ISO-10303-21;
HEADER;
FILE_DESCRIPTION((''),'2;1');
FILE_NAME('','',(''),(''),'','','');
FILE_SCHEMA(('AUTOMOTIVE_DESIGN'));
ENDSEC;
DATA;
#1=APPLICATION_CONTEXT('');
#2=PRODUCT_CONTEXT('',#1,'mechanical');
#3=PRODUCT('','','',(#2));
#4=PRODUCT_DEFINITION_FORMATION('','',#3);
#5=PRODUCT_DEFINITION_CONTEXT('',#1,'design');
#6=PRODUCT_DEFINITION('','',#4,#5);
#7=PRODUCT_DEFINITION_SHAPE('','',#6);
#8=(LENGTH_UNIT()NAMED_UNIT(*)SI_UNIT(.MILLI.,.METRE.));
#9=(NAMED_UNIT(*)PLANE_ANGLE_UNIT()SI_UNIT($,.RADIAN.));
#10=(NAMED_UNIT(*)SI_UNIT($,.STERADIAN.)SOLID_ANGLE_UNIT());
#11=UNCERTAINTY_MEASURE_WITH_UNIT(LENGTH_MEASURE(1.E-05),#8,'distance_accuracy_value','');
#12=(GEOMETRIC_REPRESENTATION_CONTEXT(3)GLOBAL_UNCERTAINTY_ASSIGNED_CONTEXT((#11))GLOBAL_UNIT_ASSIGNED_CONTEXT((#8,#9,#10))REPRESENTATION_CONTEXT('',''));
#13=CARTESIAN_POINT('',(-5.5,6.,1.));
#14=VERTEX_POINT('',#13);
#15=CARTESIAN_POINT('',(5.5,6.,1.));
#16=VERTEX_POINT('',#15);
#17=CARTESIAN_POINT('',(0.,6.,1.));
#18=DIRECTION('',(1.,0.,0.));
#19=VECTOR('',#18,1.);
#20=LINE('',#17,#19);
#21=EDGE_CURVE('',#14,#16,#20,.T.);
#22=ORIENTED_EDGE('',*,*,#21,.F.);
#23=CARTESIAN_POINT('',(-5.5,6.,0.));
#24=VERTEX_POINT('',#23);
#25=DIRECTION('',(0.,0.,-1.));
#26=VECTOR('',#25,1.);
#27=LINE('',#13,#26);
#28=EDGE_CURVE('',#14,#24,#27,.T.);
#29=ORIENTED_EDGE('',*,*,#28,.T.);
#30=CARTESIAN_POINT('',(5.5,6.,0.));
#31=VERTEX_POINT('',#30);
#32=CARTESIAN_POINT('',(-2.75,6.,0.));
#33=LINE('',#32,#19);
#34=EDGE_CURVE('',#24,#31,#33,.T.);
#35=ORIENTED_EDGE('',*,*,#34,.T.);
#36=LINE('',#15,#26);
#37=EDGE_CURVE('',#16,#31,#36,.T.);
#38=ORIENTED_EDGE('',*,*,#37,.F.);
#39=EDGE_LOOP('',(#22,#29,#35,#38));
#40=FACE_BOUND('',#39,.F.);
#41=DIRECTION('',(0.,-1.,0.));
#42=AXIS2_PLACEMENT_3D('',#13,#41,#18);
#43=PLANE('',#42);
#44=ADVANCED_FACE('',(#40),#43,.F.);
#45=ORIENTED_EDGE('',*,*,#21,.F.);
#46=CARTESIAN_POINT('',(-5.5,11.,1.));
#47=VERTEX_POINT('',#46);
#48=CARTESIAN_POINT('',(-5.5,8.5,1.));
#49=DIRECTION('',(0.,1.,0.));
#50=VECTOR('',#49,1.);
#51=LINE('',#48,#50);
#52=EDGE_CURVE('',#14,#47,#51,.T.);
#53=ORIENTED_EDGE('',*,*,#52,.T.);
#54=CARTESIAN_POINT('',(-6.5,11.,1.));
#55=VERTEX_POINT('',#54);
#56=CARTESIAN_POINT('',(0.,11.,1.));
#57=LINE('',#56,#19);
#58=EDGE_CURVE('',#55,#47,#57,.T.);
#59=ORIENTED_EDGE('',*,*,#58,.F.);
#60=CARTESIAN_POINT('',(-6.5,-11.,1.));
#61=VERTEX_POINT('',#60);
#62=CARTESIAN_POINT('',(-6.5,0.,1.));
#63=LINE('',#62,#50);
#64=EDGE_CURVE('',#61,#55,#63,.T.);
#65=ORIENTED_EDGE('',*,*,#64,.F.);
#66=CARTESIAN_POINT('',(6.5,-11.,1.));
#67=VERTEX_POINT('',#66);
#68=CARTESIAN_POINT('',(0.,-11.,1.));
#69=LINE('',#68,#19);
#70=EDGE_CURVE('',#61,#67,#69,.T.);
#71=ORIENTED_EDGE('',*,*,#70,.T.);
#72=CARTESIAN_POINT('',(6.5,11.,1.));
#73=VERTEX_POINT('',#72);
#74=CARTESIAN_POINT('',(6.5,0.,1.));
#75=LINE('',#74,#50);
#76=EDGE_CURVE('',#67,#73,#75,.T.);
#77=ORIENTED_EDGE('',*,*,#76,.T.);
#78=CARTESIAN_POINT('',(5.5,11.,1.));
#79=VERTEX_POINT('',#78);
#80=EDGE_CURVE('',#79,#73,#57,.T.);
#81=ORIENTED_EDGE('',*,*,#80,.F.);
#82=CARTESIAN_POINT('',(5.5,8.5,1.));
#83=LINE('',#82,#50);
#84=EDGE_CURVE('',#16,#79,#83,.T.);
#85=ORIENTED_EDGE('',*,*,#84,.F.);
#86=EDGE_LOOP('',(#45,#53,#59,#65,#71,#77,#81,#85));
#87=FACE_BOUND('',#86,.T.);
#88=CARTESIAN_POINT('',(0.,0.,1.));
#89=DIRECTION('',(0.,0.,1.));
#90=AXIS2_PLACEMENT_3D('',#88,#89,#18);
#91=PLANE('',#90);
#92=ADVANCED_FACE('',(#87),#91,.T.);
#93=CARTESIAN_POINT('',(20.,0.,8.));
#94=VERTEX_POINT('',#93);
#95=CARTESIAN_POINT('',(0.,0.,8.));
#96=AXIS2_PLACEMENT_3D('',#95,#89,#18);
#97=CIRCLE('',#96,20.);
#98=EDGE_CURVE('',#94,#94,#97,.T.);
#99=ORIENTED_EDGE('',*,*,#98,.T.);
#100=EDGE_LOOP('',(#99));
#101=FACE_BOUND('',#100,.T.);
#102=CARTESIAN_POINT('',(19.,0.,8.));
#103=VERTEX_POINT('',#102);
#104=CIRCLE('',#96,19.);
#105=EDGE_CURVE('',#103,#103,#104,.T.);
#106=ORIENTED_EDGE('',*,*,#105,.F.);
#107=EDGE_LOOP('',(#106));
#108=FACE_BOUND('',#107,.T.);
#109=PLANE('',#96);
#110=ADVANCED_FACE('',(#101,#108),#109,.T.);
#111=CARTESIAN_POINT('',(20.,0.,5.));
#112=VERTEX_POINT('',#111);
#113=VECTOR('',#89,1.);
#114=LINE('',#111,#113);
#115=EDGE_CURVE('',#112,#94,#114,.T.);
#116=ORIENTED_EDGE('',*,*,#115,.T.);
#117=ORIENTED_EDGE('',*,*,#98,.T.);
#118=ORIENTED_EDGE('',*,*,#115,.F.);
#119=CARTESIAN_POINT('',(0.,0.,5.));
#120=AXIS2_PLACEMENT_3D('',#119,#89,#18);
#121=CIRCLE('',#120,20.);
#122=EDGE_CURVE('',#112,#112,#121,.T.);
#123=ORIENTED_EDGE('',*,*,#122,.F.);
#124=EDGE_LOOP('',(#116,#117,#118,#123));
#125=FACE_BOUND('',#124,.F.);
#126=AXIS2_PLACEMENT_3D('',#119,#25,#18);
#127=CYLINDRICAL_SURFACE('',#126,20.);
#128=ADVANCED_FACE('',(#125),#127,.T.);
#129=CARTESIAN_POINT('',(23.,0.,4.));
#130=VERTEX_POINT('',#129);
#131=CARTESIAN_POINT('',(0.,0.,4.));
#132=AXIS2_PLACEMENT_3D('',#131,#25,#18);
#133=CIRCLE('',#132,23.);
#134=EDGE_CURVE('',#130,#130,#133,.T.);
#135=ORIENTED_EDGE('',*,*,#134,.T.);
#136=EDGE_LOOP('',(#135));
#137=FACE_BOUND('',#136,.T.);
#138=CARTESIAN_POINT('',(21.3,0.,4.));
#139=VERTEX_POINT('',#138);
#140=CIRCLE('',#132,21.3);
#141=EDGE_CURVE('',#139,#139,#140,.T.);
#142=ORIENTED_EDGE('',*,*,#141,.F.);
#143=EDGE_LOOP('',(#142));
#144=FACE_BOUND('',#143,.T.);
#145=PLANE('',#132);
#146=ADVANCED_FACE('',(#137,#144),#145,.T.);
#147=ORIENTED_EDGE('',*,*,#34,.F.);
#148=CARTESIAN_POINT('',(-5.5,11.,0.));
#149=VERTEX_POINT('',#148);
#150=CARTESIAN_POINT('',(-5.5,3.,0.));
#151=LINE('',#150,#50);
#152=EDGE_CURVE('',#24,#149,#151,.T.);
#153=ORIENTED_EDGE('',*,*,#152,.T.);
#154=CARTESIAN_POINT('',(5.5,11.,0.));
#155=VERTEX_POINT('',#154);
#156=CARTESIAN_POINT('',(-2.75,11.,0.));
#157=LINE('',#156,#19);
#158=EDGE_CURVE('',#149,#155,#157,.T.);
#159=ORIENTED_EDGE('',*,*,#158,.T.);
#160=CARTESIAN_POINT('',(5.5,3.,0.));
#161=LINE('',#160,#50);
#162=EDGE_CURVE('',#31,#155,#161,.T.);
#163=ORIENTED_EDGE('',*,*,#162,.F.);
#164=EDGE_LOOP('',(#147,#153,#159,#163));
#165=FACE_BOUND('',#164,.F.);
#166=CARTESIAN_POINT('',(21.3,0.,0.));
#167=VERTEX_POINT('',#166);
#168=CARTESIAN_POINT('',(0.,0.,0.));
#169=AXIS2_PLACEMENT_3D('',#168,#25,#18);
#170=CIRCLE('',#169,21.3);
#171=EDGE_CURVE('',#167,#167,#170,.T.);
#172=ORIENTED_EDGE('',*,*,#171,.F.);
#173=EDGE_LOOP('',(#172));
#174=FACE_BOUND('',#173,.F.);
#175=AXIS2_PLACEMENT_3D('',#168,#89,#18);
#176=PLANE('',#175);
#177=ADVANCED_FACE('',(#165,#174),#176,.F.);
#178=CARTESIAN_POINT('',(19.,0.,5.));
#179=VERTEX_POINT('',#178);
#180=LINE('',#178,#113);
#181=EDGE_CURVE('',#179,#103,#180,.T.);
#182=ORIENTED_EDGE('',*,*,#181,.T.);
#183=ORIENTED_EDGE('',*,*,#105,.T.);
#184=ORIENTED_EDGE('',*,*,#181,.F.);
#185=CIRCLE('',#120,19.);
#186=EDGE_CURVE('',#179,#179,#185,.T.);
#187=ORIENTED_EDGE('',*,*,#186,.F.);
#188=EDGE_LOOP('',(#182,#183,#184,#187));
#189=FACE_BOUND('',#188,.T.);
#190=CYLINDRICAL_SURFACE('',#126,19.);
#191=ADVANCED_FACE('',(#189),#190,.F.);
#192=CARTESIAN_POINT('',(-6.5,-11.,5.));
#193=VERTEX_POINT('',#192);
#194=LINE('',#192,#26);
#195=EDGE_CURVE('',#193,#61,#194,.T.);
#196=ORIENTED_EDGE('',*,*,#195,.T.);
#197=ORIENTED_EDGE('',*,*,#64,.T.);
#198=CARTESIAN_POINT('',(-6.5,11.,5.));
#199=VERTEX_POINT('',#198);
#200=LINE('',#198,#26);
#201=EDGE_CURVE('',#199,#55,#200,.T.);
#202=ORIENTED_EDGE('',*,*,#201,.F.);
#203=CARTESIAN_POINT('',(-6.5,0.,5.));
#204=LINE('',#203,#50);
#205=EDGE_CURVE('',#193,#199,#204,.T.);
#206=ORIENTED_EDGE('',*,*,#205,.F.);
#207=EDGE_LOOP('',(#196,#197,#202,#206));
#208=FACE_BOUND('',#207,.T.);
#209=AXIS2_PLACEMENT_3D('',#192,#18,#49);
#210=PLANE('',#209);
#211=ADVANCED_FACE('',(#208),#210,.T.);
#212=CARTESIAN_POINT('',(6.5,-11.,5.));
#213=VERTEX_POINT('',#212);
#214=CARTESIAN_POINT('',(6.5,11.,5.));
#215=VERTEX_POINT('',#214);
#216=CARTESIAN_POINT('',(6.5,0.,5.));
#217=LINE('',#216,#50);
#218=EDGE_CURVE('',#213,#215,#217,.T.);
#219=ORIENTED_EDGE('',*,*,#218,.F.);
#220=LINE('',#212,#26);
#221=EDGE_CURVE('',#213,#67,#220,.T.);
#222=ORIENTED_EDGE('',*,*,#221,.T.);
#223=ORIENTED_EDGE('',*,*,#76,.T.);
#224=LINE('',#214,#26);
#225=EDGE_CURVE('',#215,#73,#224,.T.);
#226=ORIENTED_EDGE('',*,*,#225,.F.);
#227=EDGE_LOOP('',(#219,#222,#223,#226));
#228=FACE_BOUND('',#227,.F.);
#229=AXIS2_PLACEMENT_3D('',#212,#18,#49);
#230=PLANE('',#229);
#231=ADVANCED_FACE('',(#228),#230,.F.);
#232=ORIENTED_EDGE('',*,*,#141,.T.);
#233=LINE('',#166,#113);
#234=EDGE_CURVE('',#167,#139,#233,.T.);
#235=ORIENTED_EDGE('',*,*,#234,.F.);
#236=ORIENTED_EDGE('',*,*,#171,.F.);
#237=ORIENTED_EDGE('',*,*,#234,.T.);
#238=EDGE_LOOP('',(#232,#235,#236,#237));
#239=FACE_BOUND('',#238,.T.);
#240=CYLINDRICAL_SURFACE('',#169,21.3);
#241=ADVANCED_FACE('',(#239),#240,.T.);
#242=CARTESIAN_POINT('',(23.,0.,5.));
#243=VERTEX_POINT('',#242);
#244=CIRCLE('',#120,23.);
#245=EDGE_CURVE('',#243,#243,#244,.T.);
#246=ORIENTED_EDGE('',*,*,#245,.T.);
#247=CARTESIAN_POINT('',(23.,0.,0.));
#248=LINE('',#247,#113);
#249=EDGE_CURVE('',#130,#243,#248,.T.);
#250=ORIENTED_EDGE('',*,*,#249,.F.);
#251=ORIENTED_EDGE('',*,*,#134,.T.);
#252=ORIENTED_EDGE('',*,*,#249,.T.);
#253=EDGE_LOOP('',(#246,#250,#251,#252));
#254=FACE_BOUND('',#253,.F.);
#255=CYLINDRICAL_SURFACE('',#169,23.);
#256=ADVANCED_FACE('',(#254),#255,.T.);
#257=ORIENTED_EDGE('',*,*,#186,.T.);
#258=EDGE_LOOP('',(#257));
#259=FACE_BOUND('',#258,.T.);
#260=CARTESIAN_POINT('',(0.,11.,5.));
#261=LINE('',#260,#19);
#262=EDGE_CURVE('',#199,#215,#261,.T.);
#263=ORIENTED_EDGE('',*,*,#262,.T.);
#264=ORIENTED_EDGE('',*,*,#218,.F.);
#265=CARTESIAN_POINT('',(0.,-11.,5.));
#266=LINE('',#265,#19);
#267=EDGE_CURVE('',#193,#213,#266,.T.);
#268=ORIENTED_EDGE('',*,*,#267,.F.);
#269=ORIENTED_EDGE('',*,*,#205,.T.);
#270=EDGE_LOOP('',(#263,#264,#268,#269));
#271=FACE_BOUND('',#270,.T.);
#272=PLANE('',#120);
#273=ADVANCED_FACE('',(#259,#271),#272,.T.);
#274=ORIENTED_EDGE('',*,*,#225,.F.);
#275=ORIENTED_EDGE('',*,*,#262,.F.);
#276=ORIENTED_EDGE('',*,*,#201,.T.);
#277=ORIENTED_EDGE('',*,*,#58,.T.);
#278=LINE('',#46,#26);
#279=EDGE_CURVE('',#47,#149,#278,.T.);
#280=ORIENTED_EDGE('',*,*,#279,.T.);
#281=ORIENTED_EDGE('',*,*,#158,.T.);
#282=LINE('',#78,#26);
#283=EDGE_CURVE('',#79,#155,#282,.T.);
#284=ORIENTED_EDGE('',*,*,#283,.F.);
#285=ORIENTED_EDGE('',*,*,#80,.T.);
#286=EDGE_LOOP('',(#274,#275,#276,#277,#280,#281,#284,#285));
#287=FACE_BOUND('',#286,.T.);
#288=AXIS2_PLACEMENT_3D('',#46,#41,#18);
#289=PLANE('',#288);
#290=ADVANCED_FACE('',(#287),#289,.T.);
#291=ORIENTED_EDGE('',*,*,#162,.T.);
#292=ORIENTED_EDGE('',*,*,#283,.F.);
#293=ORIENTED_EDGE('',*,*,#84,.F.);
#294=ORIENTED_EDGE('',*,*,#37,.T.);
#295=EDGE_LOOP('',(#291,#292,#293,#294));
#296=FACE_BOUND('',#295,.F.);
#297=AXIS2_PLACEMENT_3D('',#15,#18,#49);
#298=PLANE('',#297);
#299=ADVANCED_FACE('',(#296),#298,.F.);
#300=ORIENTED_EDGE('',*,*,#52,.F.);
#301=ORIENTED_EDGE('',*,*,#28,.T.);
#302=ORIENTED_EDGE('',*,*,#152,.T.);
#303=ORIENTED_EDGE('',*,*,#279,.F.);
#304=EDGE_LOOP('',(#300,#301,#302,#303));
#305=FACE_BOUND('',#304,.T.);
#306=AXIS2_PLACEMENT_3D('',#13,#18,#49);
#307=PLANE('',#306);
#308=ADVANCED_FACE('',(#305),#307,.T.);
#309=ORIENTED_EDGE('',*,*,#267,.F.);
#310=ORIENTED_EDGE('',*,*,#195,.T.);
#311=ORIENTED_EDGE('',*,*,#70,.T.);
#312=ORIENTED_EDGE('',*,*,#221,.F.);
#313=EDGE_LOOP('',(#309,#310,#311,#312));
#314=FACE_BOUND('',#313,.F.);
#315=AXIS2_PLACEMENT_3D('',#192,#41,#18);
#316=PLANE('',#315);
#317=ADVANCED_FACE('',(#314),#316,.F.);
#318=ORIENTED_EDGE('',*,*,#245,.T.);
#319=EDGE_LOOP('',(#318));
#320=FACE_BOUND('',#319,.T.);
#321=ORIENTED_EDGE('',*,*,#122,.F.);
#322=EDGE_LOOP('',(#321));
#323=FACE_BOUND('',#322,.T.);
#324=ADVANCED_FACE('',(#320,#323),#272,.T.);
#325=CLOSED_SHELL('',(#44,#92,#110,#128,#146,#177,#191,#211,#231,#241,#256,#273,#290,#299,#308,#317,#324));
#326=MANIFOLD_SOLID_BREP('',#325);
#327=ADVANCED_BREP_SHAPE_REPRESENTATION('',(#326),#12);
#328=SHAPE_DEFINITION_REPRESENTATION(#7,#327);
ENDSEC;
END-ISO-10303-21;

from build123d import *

# Parameters (mm, degrees)
SKETCH_R        = 23
PAD_DEPTH       = 5
SKETCH001_W     = 13
SKETCH001_H     = 22
POCKET_DEPTH    = 4
SKETCH002_W     = 11
SKETCH002_H     = 5
POCKET001_DEPTH = 1.001
SKETCH008_R     = 20
SKETCH008_R_2   = 19
PAD005_DEPTH    = 3
SKETCH011_R     = 23
SKETCH011_R_2   = 21.3
POCKET002_DEPTH = 4


with BuildPart() as part:
    # Sketch → Pad (new body)
    with BuildSketch(Plane.XY):
        Circle(SKETCH_R)
    extrude(amount=PAD_DEPTH)

    # Sketch001 (on Face3 of Pad) → Pocket (cut)
    with BuildSketch(Plane.XY.offset(5)):
        Rectangle(SKETCH001_W, SKETCH001_H)
    extrude(amount=-POCKET_DEPTH, mode=Mode.SUBTRACT)

    # Sketch002 (on Face8 of Pocket) → Pocket001 (cut, through all)
    with BuildSketch(Plane.XY.offset(1)):
        with Locations((0, 8.5)):
            Rectangle(SKETCH002_W, SKETCH002_H)
    extrude(amount=-POCKET001_DEPTH, mode=Mode.SUBTRACT)

    # Sketch008 → Pad005 (join)
    with BuildSketch(Plane.XY.offset(5)):
        Circle(SKETCH008_R)
        Circle(SKETCH008_R_2, mode=Mode.SUBTRACT)
    extrude(amount=PAD005_DEPTH)

    # Sketch011 (on Face2 of Pad005) → Pocket002 (cut)
    with BuildSketch(Plane(origin=(0, 0, 0), x_dir=(1, 0, 0), z_dir=(0, 0, -1))):
        Circle(SKETCH011_R)
        Circle(SKETCH011_R_2, mode=Mode.SUBTRACT)
    extrude(amount=-POCKET002_DEPTH, mode=Mode.SUBTRACT)


solid = part.part
